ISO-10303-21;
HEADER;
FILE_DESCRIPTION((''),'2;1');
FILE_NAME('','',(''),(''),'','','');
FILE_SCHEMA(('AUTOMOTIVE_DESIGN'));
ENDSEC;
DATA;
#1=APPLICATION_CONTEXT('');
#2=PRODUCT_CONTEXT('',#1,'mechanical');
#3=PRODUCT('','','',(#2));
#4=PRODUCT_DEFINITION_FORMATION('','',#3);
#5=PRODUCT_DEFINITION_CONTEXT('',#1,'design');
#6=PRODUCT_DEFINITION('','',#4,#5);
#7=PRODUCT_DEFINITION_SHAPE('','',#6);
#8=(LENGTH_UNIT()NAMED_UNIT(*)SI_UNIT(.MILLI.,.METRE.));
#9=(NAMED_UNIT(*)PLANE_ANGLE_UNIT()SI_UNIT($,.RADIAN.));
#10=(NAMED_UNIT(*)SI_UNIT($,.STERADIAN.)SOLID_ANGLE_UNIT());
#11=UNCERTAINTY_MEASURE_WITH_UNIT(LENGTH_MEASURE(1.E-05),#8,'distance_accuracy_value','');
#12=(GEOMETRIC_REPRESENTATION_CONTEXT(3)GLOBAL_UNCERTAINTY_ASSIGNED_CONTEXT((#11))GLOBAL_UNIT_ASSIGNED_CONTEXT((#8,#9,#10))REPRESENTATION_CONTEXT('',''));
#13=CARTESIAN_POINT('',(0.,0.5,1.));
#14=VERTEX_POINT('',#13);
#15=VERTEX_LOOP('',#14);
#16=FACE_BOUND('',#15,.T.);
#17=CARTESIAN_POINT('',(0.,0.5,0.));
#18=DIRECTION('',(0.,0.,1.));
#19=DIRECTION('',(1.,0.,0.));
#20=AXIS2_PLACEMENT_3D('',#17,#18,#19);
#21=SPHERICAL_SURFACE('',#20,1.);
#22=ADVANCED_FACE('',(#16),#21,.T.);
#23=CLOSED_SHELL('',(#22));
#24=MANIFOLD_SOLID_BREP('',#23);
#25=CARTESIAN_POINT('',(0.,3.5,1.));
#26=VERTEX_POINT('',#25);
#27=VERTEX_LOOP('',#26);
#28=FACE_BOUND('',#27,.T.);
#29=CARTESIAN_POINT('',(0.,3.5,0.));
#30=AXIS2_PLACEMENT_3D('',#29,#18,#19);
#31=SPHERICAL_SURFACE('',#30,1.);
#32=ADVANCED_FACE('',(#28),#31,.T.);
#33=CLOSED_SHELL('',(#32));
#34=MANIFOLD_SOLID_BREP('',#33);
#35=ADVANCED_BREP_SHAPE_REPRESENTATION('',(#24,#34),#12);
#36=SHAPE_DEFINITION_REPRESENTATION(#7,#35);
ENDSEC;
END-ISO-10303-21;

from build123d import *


with BuildPart() as sphere:
    # Sphere → Sphere (revolve)
    with BuildSketch(Plane.XZ.offset(-0.5)):
        with BuildLine():
            ThreePointArc((0, -1), (1, 0), (0, 1))
            Line((0, 1), (0, -1))
        make_face()
    revolve(axis=Axis((0, 0.5, 0), (0, 0, 1)))


with BuildPart() as sphere001:
    # Sphere001 → Sphere001 (revolve)
    with BuildSketch(Plane.XZ.offset(-3.5)):
        with BuildLine():
            ThreePointArc((0, -1), (1, 0), (0, 1))
            Line((0, 1), (0, -1))
        make_face()
    revolve(axis=Axis((0, 3.5, 0), (0, 0, 1)))


solid = Compound([sphere.part, sphere001.part])
